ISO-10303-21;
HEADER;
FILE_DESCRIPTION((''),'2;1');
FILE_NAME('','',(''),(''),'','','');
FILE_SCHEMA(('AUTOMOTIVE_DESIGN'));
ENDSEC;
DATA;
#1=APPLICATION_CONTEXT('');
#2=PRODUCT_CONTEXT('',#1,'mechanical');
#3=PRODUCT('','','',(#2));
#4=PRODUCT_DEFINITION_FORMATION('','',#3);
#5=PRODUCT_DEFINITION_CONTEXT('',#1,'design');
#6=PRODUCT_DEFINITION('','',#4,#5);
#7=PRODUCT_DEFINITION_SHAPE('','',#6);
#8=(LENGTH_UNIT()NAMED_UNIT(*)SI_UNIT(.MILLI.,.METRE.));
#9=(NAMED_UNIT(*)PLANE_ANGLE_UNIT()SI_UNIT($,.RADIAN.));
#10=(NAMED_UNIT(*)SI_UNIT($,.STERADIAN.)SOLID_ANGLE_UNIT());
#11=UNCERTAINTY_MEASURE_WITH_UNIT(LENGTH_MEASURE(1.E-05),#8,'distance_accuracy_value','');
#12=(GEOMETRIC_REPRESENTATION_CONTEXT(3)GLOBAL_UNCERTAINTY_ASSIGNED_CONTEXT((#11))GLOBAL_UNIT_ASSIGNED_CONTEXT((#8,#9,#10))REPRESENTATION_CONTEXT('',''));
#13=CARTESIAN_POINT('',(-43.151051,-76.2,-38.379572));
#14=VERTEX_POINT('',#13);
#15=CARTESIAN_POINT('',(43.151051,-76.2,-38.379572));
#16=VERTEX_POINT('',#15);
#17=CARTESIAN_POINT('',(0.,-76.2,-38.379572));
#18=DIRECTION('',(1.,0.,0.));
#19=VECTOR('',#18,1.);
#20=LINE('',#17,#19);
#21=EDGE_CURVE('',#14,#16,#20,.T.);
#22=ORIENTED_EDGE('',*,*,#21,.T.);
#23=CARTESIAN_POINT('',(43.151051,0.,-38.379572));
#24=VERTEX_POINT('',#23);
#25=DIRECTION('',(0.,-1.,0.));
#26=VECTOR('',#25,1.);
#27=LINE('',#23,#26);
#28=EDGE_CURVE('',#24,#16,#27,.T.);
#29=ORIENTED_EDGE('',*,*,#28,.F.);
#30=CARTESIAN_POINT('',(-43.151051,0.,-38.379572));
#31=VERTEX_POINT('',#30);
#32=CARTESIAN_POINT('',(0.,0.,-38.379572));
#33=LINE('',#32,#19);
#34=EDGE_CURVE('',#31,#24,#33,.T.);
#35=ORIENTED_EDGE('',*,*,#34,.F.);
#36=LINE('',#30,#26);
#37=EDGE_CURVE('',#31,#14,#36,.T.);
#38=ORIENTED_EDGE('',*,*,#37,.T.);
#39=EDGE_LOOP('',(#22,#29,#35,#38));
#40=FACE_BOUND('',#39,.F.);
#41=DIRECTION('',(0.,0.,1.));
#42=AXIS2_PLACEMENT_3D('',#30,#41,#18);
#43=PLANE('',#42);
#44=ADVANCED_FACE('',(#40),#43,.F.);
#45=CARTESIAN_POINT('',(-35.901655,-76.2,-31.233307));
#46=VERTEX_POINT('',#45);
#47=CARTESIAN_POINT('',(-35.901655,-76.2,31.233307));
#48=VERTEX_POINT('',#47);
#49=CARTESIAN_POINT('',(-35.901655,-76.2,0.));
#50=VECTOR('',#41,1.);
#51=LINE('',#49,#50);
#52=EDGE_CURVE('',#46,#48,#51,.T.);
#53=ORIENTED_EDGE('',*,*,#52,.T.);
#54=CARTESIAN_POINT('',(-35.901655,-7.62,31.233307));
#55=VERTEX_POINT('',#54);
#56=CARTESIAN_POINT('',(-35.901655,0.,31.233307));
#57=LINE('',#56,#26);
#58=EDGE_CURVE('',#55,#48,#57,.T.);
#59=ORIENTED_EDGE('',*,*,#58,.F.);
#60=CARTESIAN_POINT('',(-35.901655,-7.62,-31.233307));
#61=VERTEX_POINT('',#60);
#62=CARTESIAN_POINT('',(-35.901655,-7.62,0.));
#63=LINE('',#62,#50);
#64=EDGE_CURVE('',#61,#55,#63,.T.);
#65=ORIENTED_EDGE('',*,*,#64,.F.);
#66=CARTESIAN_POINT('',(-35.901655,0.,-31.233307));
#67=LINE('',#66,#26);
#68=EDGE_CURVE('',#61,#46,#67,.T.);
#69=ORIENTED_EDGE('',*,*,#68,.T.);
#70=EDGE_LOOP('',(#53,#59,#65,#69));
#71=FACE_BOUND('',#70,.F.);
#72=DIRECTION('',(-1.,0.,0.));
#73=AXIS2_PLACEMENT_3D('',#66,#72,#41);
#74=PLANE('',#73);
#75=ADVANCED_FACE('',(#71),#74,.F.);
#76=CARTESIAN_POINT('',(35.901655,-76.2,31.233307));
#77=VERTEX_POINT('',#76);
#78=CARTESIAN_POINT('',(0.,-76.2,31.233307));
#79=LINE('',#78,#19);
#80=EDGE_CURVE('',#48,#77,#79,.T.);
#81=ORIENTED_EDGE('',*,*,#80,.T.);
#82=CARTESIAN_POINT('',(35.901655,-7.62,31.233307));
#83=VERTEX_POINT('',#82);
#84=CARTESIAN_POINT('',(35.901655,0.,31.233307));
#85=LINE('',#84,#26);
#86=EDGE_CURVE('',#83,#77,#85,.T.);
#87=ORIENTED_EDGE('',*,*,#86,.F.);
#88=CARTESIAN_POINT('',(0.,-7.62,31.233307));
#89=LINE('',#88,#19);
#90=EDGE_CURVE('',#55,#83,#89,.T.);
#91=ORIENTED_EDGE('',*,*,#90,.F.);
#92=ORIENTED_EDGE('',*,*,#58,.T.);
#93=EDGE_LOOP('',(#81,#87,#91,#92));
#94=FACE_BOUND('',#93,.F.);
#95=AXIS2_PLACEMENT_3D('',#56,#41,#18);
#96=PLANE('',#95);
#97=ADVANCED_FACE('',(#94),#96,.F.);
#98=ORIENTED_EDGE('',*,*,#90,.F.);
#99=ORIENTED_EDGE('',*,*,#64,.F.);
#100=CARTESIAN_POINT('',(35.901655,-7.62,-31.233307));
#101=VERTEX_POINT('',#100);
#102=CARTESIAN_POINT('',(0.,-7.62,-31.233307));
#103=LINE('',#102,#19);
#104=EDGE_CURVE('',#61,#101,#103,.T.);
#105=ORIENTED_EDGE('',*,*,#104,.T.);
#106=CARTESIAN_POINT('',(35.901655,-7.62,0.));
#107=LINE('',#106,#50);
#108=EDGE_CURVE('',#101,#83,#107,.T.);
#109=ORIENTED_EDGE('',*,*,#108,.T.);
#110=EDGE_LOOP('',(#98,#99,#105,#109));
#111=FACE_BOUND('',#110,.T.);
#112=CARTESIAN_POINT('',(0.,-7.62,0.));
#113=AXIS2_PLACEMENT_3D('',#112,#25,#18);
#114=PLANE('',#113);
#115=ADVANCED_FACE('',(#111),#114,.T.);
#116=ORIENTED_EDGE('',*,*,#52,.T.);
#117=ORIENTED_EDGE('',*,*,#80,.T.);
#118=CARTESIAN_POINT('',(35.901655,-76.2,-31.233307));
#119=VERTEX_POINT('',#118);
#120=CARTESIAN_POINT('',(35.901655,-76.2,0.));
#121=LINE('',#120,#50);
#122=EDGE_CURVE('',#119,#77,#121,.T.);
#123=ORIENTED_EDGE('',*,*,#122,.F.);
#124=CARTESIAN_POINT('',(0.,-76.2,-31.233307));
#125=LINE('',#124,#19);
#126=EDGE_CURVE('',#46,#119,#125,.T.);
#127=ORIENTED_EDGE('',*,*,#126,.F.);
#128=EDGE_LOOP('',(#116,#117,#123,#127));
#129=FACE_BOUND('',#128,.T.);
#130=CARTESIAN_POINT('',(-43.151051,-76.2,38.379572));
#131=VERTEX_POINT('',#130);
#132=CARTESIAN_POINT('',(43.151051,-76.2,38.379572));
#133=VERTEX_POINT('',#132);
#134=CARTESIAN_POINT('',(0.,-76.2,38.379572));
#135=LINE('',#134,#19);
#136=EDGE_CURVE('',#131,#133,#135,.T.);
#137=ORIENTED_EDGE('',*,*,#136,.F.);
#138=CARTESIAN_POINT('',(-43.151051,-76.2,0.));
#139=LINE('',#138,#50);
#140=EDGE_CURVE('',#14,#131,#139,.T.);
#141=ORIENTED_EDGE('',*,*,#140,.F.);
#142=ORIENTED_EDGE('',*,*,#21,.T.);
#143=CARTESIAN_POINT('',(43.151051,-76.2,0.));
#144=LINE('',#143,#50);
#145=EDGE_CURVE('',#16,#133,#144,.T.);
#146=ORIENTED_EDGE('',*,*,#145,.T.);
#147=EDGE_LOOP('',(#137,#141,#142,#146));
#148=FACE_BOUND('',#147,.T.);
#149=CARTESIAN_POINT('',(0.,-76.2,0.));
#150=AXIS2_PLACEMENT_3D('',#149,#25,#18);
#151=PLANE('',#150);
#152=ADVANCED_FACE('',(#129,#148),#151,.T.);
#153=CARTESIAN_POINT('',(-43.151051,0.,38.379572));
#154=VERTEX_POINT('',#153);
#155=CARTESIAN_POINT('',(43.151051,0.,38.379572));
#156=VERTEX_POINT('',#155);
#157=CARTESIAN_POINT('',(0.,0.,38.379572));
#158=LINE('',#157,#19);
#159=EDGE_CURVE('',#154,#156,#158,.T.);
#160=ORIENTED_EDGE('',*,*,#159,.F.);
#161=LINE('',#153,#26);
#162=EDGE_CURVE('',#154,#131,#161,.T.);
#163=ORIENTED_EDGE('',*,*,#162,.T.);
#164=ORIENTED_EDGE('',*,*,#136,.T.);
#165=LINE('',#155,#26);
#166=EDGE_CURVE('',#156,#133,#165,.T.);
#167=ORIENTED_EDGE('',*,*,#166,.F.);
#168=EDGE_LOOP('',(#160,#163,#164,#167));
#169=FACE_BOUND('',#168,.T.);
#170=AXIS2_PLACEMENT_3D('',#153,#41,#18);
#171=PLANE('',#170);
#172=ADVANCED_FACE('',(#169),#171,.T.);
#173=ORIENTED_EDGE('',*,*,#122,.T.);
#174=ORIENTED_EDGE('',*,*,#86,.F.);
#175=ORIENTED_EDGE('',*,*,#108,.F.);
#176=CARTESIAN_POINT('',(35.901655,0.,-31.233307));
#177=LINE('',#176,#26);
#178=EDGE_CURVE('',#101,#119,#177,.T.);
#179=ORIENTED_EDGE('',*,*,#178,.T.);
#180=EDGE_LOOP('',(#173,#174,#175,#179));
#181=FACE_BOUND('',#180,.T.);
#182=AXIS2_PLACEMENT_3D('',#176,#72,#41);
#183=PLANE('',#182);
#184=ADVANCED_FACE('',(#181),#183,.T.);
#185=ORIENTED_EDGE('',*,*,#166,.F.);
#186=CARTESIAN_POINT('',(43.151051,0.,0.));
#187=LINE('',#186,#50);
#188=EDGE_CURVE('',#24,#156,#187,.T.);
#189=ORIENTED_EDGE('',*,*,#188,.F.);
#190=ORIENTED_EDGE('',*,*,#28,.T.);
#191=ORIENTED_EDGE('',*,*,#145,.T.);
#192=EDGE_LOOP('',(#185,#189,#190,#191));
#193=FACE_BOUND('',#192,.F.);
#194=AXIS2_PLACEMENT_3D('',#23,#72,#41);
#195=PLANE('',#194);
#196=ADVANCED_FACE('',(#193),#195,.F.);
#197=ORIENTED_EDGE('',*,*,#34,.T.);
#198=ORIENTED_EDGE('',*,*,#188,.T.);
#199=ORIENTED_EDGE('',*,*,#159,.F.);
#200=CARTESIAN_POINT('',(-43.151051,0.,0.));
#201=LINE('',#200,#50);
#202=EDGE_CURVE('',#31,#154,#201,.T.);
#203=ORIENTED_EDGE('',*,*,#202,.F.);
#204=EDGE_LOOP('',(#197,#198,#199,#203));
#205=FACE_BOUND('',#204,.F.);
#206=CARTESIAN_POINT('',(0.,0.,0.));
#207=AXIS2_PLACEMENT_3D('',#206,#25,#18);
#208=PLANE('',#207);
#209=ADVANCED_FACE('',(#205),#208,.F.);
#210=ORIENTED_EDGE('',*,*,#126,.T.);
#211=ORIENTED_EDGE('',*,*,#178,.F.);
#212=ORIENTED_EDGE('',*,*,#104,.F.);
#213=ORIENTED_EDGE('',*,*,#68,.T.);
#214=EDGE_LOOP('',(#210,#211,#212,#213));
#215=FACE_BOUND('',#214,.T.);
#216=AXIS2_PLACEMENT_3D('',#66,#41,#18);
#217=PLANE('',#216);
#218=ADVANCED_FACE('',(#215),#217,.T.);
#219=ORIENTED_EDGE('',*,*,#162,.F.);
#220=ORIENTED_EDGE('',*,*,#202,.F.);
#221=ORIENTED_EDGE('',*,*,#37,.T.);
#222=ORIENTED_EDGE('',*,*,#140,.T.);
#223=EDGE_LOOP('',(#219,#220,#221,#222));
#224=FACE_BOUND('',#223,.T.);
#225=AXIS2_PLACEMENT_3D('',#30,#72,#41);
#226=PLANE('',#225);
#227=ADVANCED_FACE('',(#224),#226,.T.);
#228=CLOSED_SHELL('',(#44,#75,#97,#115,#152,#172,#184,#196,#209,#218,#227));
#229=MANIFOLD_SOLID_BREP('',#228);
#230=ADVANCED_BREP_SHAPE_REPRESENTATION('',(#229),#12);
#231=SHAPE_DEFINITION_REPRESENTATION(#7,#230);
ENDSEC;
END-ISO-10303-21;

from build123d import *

# Parameters (mm, degrees)
F0_W     = 71.80331
F0_H     = 62.466614
F1_DEPTH = 7.62
F0_W_2   = 86.302102
F0_H_2   = 76.759144
F2_DEPTH = 76.2


with BuildPart() as f1:
    # F0 (on Front) → F1 (new body)
    with BuildSketch(Plane.XZ):
        Rectangle(F0_W, F0_H)
    extrude(amount=F1_DEPTH)

    # F0 (on Front) → F2 (join)
    with BuildSketch(Plane.XZ):
        Rectangle(F0_W_2, F0_H_2)
        Rectangle(F0_W, F0_H, mode=Mode.SUBTRACT)
    extrude(amount=F2_DEPTH)


solid = f1.part
